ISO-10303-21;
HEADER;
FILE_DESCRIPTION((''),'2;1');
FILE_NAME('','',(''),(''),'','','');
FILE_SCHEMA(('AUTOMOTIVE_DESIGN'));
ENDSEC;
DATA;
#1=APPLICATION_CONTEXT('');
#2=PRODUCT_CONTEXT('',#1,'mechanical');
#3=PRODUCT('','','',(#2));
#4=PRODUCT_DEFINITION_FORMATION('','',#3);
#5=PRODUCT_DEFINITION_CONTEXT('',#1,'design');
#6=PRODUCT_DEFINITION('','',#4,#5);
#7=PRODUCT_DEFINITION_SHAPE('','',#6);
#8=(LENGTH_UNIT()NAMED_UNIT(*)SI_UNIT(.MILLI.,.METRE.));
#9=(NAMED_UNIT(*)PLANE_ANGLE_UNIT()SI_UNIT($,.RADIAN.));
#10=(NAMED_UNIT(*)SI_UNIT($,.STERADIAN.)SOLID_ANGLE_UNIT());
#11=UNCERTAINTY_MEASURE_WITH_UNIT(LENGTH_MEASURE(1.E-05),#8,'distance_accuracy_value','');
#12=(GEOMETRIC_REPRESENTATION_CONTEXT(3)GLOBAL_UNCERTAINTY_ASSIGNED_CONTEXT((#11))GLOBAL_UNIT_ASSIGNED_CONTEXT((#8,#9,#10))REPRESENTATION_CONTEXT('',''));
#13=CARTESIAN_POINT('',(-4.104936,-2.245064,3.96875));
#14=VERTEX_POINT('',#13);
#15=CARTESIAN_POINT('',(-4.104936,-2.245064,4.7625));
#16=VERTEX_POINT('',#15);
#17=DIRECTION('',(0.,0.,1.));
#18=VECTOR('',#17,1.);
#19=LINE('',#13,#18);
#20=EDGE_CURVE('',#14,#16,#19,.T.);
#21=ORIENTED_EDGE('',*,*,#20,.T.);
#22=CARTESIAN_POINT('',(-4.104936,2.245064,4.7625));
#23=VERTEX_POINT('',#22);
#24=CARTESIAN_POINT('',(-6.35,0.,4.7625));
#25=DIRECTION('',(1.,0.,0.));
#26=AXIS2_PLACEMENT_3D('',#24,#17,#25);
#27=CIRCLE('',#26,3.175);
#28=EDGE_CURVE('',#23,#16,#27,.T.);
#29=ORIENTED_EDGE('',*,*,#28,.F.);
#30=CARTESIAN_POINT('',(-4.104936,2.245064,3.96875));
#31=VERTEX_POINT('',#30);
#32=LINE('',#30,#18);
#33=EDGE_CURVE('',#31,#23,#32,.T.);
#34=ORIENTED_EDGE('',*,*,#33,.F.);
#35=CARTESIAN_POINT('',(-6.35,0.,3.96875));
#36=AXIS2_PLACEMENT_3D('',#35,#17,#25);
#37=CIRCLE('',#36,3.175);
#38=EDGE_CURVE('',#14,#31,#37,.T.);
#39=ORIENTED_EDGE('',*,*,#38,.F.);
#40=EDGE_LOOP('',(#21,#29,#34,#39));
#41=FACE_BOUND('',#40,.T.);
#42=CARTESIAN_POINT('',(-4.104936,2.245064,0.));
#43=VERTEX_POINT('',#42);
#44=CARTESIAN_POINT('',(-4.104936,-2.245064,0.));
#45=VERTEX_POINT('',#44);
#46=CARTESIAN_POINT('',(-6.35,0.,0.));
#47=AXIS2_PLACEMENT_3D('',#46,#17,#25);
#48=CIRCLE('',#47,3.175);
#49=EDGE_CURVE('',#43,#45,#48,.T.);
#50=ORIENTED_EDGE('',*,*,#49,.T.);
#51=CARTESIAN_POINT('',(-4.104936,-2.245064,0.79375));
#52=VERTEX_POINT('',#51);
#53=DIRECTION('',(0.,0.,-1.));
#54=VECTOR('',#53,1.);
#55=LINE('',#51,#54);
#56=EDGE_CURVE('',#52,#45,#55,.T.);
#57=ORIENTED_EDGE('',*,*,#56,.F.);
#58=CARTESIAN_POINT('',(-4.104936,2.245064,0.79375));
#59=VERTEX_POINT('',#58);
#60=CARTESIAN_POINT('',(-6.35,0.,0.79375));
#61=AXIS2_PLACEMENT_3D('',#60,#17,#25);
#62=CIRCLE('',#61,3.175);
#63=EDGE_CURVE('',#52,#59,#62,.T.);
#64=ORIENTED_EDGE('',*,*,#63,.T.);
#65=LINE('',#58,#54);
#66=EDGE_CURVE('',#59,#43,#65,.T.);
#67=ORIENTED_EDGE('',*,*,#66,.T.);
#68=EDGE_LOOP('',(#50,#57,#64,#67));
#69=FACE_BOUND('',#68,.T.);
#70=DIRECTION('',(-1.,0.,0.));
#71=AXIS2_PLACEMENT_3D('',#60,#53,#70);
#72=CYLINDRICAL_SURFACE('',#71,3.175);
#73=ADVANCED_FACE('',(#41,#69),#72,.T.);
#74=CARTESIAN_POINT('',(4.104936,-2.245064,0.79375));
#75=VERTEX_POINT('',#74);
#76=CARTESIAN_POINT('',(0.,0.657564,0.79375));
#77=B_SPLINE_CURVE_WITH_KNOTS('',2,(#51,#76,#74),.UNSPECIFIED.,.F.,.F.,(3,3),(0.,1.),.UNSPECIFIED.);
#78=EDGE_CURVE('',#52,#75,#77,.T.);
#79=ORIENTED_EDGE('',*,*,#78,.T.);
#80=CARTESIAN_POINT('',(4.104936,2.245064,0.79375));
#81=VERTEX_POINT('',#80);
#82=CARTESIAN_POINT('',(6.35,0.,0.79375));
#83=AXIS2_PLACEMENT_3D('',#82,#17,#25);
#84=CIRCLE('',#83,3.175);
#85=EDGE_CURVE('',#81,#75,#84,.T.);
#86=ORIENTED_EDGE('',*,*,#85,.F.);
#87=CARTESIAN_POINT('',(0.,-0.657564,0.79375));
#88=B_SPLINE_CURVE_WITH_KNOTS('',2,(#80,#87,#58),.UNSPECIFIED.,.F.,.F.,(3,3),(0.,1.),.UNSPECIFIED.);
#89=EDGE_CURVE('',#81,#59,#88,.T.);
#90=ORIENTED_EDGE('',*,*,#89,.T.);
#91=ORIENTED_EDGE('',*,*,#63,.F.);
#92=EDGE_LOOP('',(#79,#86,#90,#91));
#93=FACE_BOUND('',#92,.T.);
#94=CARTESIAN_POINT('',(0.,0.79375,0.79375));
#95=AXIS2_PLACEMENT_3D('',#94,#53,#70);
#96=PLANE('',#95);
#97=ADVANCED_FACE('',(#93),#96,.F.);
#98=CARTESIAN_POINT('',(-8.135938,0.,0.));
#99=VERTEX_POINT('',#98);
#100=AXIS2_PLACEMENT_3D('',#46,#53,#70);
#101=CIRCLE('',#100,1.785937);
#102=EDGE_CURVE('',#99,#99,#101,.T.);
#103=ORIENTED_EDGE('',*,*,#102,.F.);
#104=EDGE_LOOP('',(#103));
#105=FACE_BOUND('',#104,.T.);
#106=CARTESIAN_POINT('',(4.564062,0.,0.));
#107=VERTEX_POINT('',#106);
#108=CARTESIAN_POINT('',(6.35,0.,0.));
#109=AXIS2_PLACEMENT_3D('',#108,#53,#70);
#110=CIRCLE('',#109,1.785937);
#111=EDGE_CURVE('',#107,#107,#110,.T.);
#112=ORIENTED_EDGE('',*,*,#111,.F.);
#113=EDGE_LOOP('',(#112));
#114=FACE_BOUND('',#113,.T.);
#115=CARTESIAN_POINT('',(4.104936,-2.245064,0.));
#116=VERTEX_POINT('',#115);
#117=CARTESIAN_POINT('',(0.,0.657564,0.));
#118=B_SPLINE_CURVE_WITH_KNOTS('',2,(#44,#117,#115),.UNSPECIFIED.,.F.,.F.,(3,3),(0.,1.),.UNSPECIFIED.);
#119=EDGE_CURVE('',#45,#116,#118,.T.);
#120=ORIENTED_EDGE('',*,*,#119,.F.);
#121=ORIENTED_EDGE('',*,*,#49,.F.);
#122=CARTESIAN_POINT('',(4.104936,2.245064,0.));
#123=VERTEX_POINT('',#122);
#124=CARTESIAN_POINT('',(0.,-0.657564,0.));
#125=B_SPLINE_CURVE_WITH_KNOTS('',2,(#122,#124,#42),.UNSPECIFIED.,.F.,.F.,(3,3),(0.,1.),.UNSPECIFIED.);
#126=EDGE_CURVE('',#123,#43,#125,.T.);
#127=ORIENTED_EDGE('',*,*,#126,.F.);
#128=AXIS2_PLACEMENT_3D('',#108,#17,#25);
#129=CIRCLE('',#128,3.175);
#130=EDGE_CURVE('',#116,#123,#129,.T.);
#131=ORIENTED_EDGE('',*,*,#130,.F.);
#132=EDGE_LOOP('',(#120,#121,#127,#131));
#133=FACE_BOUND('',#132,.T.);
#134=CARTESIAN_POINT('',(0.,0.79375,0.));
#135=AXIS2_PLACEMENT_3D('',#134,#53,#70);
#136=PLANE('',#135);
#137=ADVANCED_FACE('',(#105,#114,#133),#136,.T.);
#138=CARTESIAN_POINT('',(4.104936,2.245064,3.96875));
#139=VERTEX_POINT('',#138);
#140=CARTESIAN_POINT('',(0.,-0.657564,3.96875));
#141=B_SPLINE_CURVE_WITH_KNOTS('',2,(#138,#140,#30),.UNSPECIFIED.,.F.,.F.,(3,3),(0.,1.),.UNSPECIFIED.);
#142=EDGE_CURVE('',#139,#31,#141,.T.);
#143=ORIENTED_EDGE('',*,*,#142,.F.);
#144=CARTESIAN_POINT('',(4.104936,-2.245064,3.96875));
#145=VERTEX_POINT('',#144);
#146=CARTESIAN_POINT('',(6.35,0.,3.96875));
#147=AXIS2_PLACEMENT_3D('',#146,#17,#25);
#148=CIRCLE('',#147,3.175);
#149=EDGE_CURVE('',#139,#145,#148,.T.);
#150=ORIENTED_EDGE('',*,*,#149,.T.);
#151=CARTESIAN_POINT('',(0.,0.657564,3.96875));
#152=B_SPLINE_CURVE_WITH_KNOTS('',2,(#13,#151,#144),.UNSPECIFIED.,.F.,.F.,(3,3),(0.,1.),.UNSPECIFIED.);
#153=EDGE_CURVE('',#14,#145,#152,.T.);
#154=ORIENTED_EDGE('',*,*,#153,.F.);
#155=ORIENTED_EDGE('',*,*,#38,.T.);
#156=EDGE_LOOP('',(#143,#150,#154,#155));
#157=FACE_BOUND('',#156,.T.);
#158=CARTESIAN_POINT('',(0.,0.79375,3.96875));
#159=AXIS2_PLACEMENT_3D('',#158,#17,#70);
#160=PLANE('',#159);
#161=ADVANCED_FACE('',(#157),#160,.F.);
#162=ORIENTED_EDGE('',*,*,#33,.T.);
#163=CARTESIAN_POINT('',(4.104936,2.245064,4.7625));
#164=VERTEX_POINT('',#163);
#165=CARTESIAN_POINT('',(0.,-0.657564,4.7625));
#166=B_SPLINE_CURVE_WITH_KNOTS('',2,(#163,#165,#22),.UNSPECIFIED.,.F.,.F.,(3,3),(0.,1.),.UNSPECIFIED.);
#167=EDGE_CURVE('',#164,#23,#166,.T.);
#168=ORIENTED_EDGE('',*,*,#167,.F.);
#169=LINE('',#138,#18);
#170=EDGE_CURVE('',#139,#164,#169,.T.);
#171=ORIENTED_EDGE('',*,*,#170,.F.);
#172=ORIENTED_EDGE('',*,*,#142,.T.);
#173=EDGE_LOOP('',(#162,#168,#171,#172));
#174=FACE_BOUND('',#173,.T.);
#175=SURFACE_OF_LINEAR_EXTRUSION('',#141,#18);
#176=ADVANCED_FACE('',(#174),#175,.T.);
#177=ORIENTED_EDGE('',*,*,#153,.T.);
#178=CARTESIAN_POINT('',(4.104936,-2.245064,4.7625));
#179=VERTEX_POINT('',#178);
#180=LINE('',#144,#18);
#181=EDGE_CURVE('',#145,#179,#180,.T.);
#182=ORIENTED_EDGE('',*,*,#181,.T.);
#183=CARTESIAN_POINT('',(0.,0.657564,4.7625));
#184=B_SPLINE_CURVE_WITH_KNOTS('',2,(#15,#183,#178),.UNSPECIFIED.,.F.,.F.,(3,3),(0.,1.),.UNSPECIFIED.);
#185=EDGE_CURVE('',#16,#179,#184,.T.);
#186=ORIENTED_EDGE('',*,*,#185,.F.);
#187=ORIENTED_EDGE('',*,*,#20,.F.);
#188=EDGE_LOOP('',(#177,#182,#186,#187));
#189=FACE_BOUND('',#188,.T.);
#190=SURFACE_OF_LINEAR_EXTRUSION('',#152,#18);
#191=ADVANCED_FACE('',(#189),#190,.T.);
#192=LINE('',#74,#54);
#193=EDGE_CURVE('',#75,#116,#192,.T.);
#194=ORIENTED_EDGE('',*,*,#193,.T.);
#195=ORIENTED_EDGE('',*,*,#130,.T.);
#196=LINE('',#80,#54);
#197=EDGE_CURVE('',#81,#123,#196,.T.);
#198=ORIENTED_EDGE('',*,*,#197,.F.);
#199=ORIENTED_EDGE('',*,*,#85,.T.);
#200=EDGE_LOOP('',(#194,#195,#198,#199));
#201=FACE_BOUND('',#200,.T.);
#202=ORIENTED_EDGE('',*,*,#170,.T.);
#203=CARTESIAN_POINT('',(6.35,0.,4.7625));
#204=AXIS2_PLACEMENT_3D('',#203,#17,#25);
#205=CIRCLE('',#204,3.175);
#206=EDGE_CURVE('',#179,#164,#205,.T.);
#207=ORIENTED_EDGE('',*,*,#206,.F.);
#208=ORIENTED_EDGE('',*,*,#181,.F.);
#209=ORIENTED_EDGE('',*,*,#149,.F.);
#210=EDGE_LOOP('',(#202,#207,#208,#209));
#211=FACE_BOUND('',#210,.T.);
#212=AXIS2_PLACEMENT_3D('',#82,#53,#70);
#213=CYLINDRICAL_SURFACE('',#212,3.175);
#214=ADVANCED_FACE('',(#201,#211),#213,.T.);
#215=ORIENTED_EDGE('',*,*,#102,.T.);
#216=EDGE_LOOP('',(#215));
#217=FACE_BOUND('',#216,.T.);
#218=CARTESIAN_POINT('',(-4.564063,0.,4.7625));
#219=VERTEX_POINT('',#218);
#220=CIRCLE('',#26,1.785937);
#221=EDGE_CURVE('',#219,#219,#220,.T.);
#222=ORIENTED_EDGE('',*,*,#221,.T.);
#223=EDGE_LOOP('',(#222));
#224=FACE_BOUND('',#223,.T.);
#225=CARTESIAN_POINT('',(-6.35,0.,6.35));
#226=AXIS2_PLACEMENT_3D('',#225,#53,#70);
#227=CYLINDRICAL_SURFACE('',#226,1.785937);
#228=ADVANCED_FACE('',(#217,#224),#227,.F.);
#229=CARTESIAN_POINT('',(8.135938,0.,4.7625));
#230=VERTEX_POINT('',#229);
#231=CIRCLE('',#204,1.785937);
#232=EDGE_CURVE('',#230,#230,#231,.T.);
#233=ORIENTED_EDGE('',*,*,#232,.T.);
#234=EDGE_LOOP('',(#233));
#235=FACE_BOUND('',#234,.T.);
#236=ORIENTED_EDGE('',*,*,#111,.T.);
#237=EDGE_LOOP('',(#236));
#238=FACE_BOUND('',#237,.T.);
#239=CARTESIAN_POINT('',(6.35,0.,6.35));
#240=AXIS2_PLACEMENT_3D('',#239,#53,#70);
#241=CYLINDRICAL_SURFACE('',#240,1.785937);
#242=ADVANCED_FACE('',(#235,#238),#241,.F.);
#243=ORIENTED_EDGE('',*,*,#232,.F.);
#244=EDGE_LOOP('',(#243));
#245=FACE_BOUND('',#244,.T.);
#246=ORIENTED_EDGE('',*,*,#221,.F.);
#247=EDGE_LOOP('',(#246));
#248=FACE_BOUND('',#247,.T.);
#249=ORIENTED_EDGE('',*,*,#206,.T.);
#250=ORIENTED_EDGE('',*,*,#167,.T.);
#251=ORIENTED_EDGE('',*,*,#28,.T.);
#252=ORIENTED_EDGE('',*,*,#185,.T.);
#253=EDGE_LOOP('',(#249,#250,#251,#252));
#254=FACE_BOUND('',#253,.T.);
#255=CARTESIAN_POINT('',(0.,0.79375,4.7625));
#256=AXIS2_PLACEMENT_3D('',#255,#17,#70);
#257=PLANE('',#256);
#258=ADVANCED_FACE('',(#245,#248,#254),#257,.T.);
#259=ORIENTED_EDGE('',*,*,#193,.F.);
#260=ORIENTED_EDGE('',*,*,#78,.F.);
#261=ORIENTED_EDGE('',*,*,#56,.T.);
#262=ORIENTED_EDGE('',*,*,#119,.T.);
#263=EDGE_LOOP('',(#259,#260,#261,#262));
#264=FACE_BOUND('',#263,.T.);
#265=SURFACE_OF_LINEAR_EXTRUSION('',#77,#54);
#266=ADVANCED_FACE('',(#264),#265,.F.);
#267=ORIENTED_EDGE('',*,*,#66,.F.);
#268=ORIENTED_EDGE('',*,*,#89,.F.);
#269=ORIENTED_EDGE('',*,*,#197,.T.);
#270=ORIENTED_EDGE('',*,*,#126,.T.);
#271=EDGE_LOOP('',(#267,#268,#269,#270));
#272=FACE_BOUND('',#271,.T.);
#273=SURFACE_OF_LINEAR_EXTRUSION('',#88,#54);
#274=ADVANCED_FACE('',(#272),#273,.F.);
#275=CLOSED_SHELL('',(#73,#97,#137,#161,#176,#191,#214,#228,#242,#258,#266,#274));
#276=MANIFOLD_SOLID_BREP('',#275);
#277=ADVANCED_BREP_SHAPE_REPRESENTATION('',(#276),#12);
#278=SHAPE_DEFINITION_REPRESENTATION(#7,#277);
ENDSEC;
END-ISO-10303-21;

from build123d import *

# Parameters (mm, degrees)
BOSS_EXTRUDE1_DEPTH = 0.79375
SKETCH2_R           = 3.175
BOSS_EXTRUDE2_DEPTH = 3.175
SKETCH3_R           = 1.7859375
CUT_EXTRUDE1_DEPTH  = 6.35


with BuildPart() as part:
    # Sketch1 → Boss-Extrude1 (new body)
    with BuildSketch(Plane.XY):
        with BuildLine():
            ThreePointArc((-4.10493597, 2.24506403), (-9.525, 0), (-4.10493597, -2.24506403))
            add(Edge.make_bspline(
                [(-4.10493597, -2.24506403), (0, 0.65756403), (4.10493597, -2.24506403)],
                knots=[0, 0, 0, 1, 1, 1], degree=2))
            ThreePointArc((4.10493597, -2.24506403), (9.525, 0), (4.10493597, 2.24506403))
            add(Edge.make_bspline(
                [(-4.10493597, 2.24506403), (0, -0.65756403), (4.10493597, 2.24506403)],
                knots=[0, 0, 0, 1, 1, 1], degree=2))
        make_face()
    boss_extrude1 = extrude(amount=BOSS_EXTRUDE1_DEPTH)

    # Sketch2 → Boss-Extrude2 (add)
    with BuildSketch(Plane.XY.offset(0.79375)):
        with Locations(Location((-6.35, 0, 0), (0, 0, 315))):
            Circle(SKETCH2_R)
        with Locations(Location((6.35, 0, 0), (0, 0, 135))):
            Circle(SKETCH2_R)
    extrude(amount=BOSS_EXTRUDE2_DEPTH)

    # Mirror1: Boss-Extrude1 across plane
    add(boss_extrude1.mirror(Plane.XY.offset(2.38125)))

    # Sketch3 → Cut-Extrude1 (cut)
    with BuildSketch(Plane(origin=(0, 0, 0), x_dir=(-1, 0, 0), z_dir=(0, 0, -1))):
        with Locations((-6.35, 0)):
            Circle(SKETCH3_R)
        with Locations((6.35, 0)):
            Circle(SKETCH3_R)
    extrude(amount=-CUT_EXTRUDE1_DEPTH, mode=Mode.SUBTRACT)


solid = part.part
